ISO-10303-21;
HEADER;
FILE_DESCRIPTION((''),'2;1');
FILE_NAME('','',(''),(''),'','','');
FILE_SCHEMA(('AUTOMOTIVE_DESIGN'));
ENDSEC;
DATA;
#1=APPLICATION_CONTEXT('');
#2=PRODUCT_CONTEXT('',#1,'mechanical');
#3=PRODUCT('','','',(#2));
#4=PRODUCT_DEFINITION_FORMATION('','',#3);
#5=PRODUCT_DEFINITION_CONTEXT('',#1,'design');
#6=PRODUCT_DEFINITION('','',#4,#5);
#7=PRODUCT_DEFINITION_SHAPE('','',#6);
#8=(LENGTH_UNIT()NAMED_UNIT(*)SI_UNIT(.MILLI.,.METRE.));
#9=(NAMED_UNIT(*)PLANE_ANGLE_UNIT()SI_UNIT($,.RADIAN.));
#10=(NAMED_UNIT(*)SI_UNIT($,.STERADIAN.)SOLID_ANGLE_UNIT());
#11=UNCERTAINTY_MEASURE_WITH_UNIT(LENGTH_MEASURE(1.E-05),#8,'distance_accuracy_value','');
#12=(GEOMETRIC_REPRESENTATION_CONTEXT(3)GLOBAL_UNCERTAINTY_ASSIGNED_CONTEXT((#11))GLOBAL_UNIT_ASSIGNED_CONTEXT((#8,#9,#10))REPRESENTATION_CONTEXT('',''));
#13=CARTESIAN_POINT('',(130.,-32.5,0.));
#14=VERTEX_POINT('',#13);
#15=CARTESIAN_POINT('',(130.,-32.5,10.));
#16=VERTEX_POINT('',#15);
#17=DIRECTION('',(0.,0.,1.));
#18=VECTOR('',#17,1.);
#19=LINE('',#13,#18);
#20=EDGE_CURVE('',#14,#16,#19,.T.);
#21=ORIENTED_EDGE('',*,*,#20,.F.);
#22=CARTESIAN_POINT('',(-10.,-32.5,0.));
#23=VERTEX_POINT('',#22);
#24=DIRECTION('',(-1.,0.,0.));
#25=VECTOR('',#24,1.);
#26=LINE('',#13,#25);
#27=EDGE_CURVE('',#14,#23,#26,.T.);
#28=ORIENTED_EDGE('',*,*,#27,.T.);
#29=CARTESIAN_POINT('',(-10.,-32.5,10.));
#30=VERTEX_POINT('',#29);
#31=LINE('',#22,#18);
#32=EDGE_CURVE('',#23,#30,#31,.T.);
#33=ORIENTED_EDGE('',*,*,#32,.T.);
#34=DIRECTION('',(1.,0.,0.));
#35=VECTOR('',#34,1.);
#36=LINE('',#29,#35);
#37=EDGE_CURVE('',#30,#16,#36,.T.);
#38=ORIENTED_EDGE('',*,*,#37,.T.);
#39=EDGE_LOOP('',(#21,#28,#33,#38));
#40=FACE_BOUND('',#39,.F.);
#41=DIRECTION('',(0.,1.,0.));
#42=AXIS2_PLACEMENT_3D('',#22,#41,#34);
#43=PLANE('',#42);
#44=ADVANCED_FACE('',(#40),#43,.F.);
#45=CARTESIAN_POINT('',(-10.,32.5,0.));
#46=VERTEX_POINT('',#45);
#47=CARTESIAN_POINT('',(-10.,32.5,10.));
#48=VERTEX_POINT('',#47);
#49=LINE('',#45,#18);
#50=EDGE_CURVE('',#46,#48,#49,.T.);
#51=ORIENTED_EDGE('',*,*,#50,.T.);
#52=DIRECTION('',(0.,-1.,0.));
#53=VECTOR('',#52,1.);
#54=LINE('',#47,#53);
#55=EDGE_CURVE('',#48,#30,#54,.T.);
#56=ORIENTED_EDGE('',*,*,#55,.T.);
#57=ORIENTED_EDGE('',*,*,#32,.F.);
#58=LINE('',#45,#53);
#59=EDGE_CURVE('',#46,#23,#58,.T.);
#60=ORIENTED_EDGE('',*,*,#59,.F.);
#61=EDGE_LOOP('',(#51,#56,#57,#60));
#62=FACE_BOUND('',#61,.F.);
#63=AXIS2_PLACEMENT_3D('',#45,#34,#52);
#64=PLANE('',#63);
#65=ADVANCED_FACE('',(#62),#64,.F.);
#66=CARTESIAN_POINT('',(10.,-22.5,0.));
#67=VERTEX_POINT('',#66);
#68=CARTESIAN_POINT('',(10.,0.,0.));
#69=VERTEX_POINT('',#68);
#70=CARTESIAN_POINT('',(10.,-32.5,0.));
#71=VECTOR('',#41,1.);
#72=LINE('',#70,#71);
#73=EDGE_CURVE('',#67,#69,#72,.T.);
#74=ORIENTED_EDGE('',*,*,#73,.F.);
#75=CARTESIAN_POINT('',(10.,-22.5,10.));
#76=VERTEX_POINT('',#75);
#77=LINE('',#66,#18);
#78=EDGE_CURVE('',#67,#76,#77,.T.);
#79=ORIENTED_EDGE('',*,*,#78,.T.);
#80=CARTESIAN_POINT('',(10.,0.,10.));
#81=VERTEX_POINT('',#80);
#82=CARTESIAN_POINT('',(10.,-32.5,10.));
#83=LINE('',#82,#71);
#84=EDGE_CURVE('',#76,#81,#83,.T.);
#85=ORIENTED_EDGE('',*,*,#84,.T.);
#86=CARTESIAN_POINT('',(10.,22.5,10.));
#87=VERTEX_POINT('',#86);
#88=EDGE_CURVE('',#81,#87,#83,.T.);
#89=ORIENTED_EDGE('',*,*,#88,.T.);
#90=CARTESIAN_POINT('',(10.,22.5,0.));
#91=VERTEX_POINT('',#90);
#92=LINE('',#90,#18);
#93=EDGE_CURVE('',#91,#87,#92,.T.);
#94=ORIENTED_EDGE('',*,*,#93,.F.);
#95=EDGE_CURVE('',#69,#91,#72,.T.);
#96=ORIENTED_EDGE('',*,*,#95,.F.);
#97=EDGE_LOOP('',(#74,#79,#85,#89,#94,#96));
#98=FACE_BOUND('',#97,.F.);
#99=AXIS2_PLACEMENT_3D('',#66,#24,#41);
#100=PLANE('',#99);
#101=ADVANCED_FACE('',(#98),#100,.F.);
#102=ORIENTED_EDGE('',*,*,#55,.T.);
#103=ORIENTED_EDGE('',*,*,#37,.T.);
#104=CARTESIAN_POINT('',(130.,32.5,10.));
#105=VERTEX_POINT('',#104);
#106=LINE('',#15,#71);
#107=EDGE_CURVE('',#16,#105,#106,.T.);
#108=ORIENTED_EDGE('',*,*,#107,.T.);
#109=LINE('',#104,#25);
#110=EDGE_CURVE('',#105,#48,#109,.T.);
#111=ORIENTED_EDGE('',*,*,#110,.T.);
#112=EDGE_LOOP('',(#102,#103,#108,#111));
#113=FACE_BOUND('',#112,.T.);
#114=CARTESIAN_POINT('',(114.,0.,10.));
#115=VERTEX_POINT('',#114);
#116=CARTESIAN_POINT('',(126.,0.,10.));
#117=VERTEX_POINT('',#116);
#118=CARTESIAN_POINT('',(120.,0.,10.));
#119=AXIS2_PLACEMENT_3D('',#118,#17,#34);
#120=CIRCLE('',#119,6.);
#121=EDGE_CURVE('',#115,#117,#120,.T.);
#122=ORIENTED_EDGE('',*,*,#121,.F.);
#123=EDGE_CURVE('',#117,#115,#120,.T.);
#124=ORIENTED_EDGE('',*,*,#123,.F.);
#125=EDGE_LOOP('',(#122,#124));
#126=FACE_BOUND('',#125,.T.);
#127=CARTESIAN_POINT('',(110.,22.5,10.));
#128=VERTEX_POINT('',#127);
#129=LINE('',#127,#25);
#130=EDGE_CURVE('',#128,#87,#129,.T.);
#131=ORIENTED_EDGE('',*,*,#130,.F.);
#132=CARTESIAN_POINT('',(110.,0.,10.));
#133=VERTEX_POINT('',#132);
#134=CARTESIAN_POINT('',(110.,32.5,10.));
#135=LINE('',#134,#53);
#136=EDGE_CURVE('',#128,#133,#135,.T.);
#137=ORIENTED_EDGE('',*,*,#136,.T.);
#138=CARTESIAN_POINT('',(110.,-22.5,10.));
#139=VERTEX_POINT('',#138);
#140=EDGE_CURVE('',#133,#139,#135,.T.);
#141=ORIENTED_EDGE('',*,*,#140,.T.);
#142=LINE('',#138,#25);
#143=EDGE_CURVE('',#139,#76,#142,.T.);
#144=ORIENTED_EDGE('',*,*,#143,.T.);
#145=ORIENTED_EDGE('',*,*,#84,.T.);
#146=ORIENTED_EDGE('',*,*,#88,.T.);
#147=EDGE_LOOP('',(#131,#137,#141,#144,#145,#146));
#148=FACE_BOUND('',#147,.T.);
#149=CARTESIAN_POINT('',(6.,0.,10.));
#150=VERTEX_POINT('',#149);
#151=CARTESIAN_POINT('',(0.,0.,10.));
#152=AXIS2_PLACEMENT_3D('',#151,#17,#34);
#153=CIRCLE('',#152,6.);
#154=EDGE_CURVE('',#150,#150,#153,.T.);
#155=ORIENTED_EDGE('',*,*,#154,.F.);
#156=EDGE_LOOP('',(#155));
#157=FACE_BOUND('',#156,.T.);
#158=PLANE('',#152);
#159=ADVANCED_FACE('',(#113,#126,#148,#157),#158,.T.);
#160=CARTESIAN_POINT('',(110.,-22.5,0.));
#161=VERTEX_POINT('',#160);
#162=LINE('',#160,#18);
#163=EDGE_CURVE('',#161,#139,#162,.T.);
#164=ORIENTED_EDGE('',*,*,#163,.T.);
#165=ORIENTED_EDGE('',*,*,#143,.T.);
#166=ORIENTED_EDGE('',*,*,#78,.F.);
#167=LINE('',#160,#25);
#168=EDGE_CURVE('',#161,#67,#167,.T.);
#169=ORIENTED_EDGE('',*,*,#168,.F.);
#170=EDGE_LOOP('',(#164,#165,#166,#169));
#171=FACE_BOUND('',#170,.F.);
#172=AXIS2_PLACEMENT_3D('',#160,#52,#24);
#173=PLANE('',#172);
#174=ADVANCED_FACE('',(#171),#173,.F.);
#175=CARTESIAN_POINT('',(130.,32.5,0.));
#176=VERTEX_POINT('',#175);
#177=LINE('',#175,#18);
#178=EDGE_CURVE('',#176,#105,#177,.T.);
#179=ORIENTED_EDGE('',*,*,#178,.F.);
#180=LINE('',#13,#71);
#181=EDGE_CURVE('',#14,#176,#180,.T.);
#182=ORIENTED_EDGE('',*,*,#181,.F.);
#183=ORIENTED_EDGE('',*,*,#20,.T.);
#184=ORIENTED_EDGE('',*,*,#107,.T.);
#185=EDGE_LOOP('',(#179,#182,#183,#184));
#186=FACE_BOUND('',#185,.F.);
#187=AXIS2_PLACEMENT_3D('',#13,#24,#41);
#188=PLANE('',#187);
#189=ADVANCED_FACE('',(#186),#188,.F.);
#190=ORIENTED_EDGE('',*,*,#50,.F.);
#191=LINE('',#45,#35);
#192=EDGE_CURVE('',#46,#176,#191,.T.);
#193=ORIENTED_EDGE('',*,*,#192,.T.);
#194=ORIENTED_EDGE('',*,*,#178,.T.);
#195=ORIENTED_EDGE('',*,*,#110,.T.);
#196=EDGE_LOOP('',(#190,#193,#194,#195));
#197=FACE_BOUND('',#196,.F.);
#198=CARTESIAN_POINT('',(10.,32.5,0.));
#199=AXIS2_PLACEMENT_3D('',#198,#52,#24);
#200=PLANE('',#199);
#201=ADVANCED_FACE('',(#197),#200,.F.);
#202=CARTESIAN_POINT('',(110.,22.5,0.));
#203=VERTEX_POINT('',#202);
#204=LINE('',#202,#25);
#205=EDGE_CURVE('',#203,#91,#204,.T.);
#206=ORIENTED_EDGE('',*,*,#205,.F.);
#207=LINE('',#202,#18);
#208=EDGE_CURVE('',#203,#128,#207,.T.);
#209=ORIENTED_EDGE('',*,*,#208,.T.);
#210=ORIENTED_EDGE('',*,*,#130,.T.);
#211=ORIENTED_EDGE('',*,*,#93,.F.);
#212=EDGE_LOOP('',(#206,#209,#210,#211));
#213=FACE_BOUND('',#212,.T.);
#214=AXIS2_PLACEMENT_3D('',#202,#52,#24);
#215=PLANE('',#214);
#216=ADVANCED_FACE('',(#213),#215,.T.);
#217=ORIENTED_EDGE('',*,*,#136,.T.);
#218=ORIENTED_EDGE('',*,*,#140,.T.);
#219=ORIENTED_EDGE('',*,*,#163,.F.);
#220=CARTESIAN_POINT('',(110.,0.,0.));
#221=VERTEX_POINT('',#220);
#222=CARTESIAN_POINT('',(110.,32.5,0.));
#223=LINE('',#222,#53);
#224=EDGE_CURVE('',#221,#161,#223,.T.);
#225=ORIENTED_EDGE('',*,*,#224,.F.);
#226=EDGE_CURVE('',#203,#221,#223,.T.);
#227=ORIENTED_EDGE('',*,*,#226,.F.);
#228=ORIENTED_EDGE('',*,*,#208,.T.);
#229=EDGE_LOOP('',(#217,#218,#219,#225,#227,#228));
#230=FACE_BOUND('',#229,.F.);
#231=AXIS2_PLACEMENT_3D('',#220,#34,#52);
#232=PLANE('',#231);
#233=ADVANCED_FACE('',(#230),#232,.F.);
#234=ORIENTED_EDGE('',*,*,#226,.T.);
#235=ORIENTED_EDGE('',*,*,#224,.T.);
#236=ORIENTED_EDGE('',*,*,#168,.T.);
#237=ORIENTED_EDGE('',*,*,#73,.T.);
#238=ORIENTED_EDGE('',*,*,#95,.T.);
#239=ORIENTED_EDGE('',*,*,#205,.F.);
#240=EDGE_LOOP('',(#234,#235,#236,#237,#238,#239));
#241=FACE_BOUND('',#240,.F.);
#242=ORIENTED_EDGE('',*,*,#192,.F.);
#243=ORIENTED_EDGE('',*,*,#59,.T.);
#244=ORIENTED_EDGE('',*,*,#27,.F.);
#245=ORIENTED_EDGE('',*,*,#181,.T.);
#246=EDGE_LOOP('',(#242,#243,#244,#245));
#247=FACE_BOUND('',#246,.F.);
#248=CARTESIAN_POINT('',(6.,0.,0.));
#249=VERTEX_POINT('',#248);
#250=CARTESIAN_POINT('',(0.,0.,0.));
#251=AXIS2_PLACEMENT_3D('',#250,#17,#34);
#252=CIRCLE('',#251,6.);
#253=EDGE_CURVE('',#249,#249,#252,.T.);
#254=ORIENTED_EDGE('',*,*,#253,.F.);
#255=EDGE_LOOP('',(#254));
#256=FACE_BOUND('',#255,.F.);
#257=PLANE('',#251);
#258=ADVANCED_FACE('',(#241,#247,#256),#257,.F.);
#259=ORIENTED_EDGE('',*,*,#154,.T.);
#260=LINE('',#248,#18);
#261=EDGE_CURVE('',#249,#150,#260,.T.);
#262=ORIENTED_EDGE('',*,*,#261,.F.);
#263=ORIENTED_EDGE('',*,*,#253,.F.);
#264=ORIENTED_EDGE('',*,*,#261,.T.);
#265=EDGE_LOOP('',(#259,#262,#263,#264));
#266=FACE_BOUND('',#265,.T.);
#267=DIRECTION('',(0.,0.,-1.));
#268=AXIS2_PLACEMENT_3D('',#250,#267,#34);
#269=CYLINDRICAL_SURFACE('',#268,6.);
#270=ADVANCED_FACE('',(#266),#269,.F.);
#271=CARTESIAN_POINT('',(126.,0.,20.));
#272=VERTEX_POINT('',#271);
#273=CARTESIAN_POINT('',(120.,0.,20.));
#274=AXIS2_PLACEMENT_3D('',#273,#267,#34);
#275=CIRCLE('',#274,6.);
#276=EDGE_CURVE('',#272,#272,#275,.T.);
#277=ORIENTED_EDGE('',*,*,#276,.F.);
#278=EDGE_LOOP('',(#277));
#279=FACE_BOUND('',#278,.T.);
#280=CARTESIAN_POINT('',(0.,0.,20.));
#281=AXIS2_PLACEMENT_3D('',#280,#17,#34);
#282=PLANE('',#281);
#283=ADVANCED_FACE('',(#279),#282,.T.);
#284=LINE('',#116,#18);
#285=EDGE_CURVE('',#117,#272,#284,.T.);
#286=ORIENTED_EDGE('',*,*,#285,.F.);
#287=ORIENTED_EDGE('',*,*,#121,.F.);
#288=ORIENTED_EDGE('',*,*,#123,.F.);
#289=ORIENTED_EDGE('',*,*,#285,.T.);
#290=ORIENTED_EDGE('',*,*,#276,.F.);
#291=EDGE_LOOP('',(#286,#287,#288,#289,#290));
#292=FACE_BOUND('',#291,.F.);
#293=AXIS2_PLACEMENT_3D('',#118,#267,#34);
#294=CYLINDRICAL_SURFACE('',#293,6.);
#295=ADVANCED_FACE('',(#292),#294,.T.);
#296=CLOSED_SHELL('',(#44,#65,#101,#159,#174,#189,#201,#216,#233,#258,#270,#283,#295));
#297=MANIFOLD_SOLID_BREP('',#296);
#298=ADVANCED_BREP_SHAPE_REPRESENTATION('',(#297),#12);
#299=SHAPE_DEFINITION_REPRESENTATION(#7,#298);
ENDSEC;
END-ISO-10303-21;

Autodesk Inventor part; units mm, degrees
ref_plane "YZ Plane" through (0, 0, 0) normal (1, 0, 0) x (0, 1, 0)
ref_plane "XZ Plane" through (0, 0, 0) normal (0, 1, 0) x (-1, 0, 0)
ref_plane "XY Plane" through (0, 0, 0) normal (0, 0, 1) x (1, 0, 0)
sketch "Boceto1" plane through (0, 0, 0) normal (0, 0, 1) x (1, 0, 0)
  circle A0 centre (0, 0) radius 6
  line L0 (-10, -32.5) -> (10, -32.5)
  line L1 (10, -32.5) -> (10, 32.5)
  line L2 (10, 32.5) -> (-10, 32.5)
  line L3 (-10, 32.5) -> (-10, -32.5)
  line L4 (-10, -32.5) -> (10, 32.5) construction
  line L5 (10, -32.5) -> (-10, 32.5) construction
  line L6 (0, 0) -> (84.0619, 0)
  line L7 (0, 0) -> (120, 0)
  circle A1 centre (120, 0) radius 6
  line L8 (110, -32.5) -> (130, -32.5)
  line L9 (130, -32.5) -> (130, 32.5)
  line L10 (130, 32.5) -> (110, 32.5)
  line L11 (110, 32.5) -> (110, -32.5)
  line L12 (110, -32.5) -> (130, 32.5) construction
  line L13 (130, -32.5) -> (110, 32.5) construction
  line L14 (10, -32.5) -> (110, -32.5)
  line L15 (110, -32.5) -> (110, -22.5)
  line L16 (110, -22.5) -> (10, -22.5)
  line L17 (110, 32.5) -> (110, 22.5)
  line L18 (110, 22.5) -> (10, 22.5)
  line L19 (10, 32.5) -> (110, 32.5)
  dimension "d0" = 12
  dimension "d1" = 120
  dimension "d2" = 65
  dimension "d3" = 20
  dimension "d4" = 20
  dimension "d5" = 65
  dimension "d6" = 10
  dimension "d7" = 10
extrude "Extrusión1" add sketch "Boceto1" along normal blind 10 contours L1 L0 L3 L2 | L16 L11 L14 L1 | L1 L19 L11 L18 | A1 | L11 L10 L9 L8
sketch "Boceto2" plane through (0, 0, 10) normal (0, 0, 1) x (1, 0, 0)
  circle A0 centre (0, 0) radius 6 projected
  line L0 (0, 0) -> (120, 0)
  circle A1 centre (120, 0) radius 6
  dimension "d10" = 120
  dimension "d11" = 12
extrude "Extrusión2" add sketch "Boceto2" along normal blind 10 contours A1
properties part number "Eslabon_1_inventor"
